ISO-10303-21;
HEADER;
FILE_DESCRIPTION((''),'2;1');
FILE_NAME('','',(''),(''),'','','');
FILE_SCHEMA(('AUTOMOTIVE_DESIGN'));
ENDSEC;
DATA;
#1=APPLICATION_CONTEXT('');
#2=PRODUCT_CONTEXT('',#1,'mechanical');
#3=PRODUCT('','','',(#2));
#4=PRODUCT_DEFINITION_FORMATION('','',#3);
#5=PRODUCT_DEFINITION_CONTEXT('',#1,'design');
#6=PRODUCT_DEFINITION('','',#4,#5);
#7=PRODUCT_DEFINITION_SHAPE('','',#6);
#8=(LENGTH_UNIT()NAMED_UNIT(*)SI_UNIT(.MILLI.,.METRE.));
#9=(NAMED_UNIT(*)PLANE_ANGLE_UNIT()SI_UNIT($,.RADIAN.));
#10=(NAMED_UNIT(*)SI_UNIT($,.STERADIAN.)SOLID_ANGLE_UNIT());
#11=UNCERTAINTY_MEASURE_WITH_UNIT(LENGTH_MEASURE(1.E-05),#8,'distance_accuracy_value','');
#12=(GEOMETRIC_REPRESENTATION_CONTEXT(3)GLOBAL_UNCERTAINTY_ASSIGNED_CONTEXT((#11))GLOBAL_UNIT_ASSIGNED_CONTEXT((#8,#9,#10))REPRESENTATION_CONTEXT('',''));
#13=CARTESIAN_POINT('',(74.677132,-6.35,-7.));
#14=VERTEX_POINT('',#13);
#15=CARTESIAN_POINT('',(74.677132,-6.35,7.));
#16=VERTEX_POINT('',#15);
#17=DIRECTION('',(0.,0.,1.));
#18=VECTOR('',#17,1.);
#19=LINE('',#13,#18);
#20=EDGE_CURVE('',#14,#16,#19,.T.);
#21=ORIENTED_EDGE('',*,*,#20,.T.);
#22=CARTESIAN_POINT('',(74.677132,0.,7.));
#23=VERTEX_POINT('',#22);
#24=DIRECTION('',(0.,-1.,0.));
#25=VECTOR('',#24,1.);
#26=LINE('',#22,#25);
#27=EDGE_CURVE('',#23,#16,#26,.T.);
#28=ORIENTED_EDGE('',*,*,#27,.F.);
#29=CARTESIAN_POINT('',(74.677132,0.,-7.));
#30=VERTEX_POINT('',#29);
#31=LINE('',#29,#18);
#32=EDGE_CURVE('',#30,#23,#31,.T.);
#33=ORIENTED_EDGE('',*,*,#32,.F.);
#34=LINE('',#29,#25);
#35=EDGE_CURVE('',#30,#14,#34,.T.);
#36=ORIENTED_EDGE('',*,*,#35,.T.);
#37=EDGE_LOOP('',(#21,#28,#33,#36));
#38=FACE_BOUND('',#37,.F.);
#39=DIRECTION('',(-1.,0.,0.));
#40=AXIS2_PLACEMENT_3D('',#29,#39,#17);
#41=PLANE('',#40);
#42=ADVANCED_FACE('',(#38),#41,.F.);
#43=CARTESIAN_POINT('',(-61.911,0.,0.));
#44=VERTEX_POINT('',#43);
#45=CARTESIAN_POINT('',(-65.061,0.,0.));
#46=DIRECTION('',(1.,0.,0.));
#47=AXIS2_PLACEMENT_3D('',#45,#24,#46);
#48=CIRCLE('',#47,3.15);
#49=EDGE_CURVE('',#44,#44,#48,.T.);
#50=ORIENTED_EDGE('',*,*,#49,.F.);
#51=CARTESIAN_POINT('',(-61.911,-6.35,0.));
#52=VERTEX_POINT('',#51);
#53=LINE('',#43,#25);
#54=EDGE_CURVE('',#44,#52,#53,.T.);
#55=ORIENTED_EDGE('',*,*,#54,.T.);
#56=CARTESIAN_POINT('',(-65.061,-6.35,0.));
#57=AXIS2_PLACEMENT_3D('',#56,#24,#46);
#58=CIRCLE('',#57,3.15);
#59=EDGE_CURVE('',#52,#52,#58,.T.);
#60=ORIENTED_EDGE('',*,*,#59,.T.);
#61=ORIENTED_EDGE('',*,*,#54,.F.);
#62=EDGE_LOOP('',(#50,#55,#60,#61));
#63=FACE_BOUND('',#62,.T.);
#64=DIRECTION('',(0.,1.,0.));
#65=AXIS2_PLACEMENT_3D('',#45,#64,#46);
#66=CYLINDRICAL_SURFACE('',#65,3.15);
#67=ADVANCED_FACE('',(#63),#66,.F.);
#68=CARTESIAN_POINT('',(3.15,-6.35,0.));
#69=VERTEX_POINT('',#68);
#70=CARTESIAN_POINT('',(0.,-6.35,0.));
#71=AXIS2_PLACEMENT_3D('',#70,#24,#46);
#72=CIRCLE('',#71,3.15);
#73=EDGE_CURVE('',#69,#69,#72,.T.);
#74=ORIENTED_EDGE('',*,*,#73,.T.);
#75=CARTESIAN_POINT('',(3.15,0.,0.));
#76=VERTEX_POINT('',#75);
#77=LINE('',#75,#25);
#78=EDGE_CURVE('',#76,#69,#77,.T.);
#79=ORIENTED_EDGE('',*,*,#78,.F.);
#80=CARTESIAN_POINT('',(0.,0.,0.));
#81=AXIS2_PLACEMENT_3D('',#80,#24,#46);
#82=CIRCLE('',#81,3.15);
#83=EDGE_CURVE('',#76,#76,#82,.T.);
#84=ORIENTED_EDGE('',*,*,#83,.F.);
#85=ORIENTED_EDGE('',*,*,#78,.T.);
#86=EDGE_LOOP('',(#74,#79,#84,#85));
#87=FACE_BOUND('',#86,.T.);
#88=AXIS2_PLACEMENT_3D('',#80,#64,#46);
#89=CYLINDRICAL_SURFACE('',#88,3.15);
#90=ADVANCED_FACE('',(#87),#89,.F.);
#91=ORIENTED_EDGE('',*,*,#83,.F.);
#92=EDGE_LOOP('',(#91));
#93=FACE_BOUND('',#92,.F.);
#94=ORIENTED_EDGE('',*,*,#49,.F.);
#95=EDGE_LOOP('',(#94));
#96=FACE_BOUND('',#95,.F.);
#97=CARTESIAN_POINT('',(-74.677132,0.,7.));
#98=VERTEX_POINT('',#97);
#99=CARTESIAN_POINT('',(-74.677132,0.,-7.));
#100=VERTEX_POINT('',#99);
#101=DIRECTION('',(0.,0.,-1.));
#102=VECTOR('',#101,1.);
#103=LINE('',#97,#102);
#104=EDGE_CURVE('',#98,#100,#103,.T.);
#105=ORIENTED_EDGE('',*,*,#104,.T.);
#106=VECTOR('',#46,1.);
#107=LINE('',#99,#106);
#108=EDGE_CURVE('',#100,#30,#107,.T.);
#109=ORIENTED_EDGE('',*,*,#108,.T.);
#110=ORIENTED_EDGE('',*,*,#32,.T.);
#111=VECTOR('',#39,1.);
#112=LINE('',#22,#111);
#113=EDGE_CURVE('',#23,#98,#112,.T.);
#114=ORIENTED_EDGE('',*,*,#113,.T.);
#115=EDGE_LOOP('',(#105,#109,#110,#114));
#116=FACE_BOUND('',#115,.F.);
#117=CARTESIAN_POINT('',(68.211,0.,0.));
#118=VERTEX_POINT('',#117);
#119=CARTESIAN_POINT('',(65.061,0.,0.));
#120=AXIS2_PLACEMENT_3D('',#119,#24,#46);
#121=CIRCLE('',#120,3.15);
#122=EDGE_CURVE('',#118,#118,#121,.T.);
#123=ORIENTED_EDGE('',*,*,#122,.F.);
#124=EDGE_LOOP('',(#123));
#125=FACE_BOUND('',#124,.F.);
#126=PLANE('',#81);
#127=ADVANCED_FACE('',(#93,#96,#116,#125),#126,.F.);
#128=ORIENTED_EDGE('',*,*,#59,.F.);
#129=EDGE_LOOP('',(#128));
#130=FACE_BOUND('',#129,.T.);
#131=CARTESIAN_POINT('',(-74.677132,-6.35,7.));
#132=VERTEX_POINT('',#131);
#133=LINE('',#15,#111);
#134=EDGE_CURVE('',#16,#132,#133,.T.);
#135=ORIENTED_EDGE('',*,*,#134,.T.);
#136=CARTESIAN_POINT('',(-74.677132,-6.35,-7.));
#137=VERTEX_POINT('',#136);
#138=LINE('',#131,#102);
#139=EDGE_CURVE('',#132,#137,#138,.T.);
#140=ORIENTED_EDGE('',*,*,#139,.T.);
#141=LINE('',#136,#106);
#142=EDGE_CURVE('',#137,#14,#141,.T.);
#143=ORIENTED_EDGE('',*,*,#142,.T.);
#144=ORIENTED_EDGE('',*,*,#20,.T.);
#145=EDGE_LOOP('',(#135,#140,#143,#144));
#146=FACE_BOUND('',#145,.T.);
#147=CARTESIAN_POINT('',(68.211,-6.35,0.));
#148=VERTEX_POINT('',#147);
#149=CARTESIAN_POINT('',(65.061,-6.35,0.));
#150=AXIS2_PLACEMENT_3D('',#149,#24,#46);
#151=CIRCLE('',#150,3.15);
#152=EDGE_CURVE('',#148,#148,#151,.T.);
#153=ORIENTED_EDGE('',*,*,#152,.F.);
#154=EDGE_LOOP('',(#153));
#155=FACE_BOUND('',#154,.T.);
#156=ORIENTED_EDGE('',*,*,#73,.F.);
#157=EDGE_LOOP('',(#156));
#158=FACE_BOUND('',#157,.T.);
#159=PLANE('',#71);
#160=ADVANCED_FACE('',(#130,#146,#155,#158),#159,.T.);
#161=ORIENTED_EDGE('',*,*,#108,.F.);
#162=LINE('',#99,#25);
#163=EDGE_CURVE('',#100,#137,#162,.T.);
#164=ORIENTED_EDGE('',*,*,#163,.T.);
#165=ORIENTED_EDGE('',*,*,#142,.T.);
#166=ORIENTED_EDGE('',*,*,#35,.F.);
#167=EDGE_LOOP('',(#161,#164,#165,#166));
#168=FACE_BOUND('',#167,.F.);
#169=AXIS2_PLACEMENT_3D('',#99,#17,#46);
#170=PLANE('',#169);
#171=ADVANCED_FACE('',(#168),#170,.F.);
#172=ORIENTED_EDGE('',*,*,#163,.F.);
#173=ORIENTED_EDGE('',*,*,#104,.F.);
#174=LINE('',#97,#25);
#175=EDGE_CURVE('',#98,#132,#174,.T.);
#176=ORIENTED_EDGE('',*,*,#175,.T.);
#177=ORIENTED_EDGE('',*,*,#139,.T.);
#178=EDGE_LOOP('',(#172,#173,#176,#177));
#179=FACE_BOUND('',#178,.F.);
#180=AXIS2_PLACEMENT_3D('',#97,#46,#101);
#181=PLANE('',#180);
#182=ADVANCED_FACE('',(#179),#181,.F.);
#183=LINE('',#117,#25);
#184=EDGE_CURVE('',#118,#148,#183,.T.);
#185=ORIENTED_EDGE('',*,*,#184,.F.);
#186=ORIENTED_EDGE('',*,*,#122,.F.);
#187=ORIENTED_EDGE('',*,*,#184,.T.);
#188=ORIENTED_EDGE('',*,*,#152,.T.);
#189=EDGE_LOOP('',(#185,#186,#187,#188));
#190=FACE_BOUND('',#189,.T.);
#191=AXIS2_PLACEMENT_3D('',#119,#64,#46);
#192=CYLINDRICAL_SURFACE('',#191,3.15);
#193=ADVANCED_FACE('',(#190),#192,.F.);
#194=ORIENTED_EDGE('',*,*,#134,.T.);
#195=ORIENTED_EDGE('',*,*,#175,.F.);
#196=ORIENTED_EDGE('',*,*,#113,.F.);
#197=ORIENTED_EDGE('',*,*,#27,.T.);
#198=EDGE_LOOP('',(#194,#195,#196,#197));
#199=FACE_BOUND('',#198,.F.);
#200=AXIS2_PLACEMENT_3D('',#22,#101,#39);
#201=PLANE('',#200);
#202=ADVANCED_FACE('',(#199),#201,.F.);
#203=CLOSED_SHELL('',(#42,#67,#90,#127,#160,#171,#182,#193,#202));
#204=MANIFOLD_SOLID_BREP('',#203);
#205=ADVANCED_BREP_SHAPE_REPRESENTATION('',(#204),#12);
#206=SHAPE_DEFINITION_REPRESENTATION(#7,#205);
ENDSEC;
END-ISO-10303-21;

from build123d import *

# Parameters (mm, degrees)
F0_R     = 3.15
F1_DEPTH = 6.35


with BuildPart() as f1:
    # F0 (on Front) → F1 (new body)
    with BuildSketch(Plane.XZ):
        Polygon((74.677132, 7), (0, 7), (-74.677132, 7), (-74.677132, 0), (-74.677132, -7), (0, -7), (74.677132, -7), (74.677132, 0), align=None)
        with Locations((-65.061, 0)):
            Circle(F0_R, mode=Mode.SUBTRACT)
        Circle(F0_R, mode=Mode.SUBTRACT)
        with Locations((65.061, 0)):
            Circle(F0_R, mode=Mode.SUBTRACT)
    extrude(amount=F1_DEPTH)


solid = f1.part
